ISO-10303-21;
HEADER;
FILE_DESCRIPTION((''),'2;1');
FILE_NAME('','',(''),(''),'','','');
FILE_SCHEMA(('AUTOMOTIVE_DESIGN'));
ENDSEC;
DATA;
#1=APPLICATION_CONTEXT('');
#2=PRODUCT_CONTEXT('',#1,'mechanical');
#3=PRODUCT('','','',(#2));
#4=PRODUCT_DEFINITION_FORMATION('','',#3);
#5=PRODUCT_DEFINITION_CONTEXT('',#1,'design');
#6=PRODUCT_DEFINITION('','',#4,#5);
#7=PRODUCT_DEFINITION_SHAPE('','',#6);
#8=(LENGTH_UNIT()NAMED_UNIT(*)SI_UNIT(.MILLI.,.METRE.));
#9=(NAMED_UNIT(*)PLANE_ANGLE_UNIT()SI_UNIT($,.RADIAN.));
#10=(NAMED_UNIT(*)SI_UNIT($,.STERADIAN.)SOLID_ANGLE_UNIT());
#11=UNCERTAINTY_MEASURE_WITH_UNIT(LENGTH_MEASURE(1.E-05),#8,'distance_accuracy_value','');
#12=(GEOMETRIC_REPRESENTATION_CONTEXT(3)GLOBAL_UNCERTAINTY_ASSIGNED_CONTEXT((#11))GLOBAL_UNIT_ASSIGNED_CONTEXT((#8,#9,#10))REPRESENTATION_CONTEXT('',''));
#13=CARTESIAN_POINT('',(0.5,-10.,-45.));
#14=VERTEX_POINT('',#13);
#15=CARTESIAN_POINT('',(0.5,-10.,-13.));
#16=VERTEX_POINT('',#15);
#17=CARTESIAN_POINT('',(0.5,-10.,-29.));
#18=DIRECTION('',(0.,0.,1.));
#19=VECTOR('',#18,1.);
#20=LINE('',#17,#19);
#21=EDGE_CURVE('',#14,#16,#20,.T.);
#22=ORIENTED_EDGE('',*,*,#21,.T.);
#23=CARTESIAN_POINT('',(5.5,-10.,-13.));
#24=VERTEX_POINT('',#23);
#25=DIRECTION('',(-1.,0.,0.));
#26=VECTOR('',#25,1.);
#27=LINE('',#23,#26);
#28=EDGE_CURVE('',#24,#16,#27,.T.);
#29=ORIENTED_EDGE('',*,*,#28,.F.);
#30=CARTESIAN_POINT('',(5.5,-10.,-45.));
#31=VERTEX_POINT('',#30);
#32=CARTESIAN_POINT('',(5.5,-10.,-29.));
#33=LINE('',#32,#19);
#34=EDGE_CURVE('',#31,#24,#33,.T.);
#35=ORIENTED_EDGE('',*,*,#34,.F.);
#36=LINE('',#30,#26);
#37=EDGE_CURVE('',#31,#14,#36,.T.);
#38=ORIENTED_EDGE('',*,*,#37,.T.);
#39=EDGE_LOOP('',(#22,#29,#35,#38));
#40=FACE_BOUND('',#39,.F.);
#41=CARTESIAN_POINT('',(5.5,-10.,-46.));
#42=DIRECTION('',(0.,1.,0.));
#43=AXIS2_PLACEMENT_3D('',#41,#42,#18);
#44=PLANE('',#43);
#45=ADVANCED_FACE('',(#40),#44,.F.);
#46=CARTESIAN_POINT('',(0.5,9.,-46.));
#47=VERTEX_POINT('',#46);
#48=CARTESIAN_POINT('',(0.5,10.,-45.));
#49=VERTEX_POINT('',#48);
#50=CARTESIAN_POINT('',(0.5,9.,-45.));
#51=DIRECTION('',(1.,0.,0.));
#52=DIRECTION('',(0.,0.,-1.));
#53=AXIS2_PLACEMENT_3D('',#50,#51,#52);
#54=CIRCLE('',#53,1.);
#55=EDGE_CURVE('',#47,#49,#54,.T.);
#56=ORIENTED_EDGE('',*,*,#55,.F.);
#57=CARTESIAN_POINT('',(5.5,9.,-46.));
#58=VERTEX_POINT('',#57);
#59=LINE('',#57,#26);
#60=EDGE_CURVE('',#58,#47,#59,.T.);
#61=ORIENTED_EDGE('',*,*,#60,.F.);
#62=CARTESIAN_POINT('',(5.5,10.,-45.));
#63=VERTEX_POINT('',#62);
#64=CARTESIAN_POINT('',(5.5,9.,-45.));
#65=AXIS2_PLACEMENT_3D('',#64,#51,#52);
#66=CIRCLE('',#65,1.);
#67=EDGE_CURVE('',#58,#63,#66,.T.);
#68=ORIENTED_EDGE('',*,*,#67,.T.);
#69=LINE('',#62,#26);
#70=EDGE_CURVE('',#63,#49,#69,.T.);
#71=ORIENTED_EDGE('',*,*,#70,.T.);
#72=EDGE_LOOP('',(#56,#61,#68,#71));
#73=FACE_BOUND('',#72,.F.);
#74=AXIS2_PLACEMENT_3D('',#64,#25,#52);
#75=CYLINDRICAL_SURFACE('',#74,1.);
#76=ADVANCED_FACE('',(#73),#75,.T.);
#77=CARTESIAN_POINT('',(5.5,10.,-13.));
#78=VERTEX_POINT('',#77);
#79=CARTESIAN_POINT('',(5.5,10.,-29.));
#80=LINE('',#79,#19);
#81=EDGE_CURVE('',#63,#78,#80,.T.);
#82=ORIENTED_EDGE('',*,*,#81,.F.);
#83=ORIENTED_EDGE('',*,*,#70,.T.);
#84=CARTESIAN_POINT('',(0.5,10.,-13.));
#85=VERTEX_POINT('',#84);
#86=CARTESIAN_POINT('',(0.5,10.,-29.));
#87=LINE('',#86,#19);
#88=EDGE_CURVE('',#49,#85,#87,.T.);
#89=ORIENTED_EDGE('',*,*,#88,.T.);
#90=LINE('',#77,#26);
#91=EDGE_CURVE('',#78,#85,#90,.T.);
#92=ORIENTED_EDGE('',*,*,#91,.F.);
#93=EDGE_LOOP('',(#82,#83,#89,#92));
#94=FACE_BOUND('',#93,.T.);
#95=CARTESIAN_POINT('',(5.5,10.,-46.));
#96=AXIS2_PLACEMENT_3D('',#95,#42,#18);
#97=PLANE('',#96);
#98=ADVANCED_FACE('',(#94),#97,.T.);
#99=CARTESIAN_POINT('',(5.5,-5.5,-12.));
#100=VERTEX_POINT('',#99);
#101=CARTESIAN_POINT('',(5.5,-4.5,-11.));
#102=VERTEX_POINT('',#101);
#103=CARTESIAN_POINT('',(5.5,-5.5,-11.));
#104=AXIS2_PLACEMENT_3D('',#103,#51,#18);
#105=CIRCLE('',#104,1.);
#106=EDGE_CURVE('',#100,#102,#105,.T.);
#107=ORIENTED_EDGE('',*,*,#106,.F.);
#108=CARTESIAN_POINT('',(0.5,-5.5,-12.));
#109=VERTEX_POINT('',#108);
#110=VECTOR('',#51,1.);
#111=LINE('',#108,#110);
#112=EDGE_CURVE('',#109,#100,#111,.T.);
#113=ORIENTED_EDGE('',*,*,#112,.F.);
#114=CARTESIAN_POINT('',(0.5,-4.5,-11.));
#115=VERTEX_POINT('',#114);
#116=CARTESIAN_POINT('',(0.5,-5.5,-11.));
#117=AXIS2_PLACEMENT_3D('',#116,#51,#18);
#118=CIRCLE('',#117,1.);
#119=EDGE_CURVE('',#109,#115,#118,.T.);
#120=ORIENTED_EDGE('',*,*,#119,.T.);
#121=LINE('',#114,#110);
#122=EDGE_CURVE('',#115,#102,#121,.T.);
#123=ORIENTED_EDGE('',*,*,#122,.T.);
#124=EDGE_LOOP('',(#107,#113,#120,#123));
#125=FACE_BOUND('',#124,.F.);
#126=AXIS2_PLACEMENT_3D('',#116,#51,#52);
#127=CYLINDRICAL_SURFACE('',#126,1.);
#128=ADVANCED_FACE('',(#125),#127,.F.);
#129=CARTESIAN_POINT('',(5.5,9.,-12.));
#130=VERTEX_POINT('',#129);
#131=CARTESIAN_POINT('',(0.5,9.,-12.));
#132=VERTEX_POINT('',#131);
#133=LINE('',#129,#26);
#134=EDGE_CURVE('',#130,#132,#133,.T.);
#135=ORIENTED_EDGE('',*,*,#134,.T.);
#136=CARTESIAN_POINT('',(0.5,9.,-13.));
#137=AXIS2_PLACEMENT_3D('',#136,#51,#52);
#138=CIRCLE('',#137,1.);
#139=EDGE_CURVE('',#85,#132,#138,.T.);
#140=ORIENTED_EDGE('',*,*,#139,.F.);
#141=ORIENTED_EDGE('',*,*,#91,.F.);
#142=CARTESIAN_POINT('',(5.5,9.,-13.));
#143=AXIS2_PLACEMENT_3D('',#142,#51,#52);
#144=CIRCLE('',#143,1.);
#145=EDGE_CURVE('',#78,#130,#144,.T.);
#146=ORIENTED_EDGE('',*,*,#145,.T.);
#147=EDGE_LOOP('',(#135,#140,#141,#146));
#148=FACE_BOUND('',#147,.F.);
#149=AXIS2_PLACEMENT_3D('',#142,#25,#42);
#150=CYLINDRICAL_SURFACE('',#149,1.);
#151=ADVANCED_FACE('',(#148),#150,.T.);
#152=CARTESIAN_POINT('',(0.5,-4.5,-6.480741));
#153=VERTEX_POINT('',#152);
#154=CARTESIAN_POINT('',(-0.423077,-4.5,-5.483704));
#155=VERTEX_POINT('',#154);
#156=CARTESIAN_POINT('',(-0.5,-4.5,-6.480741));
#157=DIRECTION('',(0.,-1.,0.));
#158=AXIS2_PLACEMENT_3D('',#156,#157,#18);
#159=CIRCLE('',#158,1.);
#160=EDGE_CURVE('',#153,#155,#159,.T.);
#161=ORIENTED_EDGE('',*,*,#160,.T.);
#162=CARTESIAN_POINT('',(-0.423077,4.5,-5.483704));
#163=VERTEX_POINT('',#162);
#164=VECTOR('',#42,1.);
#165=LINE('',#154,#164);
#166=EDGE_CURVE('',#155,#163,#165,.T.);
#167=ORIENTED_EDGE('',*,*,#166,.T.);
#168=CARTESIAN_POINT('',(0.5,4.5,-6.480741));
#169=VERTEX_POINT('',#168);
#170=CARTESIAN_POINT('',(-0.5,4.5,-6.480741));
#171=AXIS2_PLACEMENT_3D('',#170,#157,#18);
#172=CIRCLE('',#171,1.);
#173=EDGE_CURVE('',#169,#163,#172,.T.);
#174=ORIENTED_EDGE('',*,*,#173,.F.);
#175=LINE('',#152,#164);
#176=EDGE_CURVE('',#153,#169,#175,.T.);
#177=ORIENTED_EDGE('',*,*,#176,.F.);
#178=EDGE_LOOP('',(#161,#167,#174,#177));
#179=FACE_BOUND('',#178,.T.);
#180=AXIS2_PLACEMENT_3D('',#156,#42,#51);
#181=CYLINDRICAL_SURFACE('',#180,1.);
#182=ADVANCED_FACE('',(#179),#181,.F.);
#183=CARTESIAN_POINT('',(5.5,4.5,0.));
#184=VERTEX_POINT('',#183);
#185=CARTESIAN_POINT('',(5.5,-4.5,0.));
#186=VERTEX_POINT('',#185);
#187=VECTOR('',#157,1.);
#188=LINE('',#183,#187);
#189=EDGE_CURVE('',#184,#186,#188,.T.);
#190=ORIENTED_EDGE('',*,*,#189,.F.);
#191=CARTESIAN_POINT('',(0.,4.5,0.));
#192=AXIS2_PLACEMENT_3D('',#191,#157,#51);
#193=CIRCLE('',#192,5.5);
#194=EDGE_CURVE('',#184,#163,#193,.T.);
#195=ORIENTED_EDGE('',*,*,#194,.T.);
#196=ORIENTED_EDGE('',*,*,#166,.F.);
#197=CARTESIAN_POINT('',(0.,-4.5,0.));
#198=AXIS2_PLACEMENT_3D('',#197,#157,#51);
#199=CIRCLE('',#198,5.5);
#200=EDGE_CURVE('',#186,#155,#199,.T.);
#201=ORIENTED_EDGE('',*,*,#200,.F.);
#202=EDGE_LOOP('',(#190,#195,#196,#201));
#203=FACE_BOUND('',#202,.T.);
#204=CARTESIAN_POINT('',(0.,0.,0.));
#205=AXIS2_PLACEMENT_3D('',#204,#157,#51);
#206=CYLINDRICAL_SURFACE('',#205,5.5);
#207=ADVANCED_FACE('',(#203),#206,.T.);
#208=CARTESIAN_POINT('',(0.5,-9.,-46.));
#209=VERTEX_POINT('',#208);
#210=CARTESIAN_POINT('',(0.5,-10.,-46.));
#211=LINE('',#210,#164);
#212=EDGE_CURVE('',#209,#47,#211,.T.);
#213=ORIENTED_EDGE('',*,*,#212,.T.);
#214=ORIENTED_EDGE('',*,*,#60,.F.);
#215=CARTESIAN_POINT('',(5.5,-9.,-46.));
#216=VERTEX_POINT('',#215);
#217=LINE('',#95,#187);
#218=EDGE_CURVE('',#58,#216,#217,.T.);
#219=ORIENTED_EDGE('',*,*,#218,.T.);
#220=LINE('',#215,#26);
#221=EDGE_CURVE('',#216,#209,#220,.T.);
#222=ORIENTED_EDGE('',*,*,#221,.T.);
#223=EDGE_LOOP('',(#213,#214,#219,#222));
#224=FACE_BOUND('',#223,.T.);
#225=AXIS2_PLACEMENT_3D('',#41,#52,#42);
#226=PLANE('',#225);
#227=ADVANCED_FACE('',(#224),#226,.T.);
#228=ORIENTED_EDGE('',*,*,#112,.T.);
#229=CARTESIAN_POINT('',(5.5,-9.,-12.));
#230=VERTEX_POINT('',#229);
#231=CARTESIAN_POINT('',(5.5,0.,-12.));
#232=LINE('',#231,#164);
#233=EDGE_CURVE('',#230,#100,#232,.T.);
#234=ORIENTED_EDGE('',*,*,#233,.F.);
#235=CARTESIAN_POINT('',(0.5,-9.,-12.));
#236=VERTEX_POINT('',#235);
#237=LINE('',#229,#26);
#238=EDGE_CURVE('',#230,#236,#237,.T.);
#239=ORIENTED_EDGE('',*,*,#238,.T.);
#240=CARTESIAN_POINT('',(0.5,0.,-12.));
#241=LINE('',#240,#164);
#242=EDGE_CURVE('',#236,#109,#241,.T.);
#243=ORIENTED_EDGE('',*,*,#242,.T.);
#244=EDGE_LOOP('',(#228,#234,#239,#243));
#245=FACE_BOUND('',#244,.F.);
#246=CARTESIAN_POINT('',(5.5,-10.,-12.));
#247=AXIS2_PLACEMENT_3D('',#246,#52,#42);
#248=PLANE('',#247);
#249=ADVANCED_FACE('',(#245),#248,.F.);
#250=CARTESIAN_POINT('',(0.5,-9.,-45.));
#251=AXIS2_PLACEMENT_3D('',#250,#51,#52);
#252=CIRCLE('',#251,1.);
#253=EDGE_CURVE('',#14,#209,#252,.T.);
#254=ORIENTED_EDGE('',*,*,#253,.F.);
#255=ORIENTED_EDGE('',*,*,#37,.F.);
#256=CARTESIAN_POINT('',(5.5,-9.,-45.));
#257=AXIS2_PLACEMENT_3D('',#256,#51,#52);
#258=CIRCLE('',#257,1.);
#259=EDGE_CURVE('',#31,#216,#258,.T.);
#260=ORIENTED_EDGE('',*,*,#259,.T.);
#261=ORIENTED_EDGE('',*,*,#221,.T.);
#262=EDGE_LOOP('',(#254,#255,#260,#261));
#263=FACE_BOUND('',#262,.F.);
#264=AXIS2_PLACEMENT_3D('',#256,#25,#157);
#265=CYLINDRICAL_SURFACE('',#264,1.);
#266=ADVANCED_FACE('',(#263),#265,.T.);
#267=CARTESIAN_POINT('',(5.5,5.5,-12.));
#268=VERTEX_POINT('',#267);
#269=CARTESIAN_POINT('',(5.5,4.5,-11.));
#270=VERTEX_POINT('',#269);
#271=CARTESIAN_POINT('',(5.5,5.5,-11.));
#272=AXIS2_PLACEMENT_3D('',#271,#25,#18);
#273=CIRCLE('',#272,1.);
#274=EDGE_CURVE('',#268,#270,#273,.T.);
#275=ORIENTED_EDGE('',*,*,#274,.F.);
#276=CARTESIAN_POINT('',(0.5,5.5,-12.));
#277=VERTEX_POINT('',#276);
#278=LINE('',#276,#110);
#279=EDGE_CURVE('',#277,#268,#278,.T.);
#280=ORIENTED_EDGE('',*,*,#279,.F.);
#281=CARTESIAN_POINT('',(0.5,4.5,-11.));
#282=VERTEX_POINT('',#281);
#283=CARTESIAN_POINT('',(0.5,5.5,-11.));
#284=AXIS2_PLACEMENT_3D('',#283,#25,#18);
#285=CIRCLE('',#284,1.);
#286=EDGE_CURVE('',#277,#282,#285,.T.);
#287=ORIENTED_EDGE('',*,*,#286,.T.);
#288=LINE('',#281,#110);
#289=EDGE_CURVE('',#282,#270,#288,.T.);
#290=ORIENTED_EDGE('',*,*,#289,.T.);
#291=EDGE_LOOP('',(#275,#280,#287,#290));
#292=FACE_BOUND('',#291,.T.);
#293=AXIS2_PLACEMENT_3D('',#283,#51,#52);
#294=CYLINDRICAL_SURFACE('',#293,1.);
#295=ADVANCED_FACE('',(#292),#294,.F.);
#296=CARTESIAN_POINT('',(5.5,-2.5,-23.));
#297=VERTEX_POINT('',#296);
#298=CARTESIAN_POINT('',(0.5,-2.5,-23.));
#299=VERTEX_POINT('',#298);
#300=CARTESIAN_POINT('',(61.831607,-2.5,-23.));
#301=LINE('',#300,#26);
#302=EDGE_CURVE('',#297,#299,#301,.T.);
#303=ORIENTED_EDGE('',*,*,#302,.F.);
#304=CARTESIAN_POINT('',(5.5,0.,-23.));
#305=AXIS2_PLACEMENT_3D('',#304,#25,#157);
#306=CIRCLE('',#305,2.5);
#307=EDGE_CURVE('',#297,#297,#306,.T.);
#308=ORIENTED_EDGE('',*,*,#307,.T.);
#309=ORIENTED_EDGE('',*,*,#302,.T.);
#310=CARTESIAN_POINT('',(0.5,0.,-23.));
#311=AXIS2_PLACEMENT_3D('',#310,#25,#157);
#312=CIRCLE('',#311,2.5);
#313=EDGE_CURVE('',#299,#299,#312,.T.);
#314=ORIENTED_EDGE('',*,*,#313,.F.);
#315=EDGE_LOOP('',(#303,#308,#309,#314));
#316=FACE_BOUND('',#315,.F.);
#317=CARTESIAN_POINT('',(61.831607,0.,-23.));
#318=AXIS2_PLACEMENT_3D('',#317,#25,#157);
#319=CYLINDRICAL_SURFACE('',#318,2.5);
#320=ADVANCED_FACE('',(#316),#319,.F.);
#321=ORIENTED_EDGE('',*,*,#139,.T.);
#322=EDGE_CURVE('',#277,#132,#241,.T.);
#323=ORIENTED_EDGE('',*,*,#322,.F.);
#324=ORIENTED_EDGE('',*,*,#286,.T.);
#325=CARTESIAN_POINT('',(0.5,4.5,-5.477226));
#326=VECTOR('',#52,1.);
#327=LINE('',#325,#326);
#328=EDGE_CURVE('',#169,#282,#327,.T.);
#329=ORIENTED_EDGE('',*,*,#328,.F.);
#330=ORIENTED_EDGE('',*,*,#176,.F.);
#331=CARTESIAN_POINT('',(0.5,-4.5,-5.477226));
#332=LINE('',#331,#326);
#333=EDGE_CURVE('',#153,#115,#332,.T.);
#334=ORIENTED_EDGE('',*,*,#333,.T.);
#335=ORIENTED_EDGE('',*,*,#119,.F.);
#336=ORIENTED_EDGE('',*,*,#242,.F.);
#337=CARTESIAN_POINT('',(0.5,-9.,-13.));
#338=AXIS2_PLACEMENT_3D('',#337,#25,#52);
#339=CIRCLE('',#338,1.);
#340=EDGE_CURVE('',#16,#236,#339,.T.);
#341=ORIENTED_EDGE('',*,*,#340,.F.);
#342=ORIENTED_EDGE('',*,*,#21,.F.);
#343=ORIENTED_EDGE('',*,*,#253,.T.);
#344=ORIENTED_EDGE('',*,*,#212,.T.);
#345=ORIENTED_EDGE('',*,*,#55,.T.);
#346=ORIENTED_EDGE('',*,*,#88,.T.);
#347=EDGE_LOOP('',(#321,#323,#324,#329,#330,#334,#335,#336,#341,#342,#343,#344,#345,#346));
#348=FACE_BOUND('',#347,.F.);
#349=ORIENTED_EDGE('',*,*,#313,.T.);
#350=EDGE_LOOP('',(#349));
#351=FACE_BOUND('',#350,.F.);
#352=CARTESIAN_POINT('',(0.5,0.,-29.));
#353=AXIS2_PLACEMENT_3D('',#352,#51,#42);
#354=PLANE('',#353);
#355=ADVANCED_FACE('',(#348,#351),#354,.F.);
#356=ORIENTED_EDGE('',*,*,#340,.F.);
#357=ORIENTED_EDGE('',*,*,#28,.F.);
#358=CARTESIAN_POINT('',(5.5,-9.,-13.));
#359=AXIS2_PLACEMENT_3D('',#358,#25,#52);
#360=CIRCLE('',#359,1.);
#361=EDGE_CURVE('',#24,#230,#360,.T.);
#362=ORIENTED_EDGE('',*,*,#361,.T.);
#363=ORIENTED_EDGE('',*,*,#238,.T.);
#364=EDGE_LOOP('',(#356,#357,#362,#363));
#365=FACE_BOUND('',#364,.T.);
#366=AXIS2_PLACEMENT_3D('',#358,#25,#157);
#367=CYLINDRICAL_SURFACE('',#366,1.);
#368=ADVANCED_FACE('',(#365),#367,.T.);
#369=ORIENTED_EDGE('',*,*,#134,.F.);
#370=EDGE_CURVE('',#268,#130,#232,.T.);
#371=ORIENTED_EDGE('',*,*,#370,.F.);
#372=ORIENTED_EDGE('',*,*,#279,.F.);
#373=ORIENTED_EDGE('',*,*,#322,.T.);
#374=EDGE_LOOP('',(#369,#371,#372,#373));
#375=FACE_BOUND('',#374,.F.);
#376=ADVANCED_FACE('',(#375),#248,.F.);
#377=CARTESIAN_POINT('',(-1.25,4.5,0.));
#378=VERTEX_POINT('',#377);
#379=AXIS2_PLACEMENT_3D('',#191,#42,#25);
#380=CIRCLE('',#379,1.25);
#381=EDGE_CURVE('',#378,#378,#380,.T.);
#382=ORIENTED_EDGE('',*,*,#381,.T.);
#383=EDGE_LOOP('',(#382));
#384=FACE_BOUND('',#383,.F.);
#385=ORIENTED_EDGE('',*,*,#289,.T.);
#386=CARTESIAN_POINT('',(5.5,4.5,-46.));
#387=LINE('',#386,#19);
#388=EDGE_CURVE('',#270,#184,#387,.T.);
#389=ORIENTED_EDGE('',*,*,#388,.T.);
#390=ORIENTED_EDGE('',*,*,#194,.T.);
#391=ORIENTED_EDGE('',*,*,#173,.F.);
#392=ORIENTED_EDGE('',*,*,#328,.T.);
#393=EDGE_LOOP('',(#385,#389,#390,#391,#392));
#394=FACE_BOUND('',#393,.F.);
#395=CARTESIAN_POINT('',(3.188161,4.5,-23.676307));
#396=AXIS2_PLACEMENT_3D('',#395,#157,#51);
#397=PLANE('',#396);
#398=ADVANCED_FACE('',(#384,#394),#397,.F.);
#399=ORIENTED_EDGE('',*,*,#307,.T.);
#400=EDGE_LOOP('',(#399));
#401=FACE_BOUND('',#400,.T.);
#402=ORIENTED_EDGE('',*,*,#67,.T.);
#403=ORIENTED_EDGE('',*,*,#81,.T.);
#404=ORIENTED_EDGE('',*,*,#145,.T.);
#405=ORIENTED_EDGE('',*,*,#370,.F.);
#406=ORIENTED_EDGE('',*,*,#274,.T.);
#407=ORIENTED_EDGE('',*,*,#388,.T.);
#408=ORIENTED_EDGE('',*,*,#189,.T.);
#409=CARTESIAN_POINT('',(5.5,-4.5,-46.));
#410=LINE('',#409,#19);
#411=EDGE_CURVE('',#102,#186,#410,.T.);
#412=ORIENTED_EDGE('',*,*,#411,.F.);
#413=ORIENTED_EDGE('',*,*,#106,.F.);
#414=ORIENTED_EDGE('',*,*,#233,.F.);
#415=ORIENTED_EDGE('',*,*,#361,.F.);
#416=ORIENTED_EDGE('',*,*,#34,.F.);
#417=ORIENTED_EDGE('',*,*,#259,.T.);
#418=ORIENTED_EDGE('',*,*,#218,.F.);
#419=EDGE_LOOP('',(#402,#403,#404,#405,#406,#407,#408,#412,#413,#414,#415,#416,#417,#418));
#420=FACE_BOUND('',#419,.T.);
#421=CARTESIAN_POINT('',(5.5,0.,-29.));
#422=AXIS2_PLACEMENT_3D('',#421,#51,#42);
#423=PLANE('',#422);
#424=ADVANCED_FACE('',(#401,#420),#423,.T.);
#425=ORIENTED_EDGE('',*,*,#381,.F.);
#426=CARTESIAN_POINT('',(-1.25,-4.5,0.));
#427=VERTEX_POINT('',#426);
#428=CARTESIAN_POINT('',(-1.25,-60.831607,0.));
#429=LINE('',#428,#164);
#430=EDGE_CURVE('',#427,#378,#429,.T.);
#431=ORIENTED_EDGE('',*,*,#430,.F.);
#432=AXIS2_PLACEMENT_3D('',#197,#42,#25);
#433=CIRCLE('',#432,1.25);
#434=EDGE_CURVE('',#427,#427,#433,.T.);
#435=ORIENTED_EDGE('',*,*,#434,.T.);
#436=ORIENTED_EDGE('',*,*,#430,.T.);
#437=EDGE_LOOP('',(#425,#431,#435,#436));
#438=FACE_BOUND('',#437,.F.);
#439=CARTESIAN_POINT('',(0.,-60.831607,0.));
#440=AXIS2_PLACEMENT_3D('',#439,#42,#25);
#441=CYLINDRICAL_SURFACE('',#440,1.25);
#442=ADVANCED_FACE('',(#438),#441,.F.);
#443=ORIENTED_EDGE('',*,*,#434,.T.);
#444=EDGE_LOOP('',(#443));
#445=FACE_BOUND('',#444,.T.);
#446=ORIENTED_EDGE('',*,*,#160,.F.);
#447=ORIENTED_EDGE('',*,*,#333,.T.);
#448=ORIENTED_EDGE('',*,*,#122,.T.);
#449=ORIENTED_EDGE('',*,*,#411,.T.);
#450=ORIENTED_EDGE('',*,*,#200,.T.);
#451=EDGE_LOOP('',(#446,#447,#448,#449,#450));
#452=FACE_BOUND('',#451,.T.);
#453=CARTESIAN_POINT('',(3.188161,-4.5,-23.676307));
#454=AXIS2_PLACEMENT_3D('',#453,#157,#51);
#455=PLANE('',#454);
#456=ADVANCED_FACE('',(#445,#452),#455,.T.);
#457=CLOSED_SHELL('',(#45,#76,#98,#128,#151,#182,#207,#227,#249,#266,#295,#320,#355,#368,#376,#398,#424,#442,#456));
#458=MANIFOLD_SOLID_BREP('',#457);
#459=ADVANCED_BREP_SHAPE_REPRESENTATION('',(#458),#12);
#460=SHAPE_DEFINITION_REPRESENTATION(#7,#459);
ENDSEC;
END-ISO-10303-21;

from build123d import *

# Parameters (mm, degrees)
F0_R     = 5.5
F1_DEPTH = 4.5
F3_DEPTH = 9
F4_W     = 20
F4_H     = 34
F5_DEPTH = 5
F7_D     = 2.5
F9_D     = 5
F10_R    = 1


with BuildPart() as f1:
    # F0 (on Front) → F1 (new body, symmetric)
    with BuildSketch(Plane.XZ):
        Circle(F0_R)
    extrude(amount=F1_DEPTH, both=True)

    # F2 (on face) → F3 (join, through all)
    with BuildSketch(Plane.XZ.offset(4.5)):
        with BuildLine():
            Line((5.5, -46), (5.5, 0))
            ThreePointArc((5.5, 0), (4.0620192023, -3.7080992435), (0.5, -5.4772255751))
            Line((0.5, -5.4772255751), (0.5, -46))
            Line((0.5, -46), (5.5, -46))
        make_face()
    extrude(amount=-F3_DEPTH)

    # F4 (on face) → F5 (join, through all)
    with BuildSketch(Plane.YZ.offset(5.5)):
        with Locations((0, -29)):
            Rectangle(F4_W, F4_H)
    extrude(amount=-F5_DEPTH)

    # F7 (through all)
    with Locations(Plane.XZ.offset(4.5)):
        with Locations((0, 0)):
            Hole(F7_D / 2)

    # F9 (through all)
    with Locations(Plane.YZ.offset(5.5)):
        with Locations((0, -23)):
            Hole(F9_D / 2)

    # F10
    f10_edges = [f1.edges().sort_by_distance(p)[0] for p in [
        (0.5, 0, -5.477226),
        (3, -4.5, -12),
        (3, 4.5, -12),
        (3, 10, -12),
        (3, -10, -12),
        (3, -10, -46),
        (3, 10, -46),
    ]]
    fillet(f10_edges, radius=F10_R)


solid = f1.part
